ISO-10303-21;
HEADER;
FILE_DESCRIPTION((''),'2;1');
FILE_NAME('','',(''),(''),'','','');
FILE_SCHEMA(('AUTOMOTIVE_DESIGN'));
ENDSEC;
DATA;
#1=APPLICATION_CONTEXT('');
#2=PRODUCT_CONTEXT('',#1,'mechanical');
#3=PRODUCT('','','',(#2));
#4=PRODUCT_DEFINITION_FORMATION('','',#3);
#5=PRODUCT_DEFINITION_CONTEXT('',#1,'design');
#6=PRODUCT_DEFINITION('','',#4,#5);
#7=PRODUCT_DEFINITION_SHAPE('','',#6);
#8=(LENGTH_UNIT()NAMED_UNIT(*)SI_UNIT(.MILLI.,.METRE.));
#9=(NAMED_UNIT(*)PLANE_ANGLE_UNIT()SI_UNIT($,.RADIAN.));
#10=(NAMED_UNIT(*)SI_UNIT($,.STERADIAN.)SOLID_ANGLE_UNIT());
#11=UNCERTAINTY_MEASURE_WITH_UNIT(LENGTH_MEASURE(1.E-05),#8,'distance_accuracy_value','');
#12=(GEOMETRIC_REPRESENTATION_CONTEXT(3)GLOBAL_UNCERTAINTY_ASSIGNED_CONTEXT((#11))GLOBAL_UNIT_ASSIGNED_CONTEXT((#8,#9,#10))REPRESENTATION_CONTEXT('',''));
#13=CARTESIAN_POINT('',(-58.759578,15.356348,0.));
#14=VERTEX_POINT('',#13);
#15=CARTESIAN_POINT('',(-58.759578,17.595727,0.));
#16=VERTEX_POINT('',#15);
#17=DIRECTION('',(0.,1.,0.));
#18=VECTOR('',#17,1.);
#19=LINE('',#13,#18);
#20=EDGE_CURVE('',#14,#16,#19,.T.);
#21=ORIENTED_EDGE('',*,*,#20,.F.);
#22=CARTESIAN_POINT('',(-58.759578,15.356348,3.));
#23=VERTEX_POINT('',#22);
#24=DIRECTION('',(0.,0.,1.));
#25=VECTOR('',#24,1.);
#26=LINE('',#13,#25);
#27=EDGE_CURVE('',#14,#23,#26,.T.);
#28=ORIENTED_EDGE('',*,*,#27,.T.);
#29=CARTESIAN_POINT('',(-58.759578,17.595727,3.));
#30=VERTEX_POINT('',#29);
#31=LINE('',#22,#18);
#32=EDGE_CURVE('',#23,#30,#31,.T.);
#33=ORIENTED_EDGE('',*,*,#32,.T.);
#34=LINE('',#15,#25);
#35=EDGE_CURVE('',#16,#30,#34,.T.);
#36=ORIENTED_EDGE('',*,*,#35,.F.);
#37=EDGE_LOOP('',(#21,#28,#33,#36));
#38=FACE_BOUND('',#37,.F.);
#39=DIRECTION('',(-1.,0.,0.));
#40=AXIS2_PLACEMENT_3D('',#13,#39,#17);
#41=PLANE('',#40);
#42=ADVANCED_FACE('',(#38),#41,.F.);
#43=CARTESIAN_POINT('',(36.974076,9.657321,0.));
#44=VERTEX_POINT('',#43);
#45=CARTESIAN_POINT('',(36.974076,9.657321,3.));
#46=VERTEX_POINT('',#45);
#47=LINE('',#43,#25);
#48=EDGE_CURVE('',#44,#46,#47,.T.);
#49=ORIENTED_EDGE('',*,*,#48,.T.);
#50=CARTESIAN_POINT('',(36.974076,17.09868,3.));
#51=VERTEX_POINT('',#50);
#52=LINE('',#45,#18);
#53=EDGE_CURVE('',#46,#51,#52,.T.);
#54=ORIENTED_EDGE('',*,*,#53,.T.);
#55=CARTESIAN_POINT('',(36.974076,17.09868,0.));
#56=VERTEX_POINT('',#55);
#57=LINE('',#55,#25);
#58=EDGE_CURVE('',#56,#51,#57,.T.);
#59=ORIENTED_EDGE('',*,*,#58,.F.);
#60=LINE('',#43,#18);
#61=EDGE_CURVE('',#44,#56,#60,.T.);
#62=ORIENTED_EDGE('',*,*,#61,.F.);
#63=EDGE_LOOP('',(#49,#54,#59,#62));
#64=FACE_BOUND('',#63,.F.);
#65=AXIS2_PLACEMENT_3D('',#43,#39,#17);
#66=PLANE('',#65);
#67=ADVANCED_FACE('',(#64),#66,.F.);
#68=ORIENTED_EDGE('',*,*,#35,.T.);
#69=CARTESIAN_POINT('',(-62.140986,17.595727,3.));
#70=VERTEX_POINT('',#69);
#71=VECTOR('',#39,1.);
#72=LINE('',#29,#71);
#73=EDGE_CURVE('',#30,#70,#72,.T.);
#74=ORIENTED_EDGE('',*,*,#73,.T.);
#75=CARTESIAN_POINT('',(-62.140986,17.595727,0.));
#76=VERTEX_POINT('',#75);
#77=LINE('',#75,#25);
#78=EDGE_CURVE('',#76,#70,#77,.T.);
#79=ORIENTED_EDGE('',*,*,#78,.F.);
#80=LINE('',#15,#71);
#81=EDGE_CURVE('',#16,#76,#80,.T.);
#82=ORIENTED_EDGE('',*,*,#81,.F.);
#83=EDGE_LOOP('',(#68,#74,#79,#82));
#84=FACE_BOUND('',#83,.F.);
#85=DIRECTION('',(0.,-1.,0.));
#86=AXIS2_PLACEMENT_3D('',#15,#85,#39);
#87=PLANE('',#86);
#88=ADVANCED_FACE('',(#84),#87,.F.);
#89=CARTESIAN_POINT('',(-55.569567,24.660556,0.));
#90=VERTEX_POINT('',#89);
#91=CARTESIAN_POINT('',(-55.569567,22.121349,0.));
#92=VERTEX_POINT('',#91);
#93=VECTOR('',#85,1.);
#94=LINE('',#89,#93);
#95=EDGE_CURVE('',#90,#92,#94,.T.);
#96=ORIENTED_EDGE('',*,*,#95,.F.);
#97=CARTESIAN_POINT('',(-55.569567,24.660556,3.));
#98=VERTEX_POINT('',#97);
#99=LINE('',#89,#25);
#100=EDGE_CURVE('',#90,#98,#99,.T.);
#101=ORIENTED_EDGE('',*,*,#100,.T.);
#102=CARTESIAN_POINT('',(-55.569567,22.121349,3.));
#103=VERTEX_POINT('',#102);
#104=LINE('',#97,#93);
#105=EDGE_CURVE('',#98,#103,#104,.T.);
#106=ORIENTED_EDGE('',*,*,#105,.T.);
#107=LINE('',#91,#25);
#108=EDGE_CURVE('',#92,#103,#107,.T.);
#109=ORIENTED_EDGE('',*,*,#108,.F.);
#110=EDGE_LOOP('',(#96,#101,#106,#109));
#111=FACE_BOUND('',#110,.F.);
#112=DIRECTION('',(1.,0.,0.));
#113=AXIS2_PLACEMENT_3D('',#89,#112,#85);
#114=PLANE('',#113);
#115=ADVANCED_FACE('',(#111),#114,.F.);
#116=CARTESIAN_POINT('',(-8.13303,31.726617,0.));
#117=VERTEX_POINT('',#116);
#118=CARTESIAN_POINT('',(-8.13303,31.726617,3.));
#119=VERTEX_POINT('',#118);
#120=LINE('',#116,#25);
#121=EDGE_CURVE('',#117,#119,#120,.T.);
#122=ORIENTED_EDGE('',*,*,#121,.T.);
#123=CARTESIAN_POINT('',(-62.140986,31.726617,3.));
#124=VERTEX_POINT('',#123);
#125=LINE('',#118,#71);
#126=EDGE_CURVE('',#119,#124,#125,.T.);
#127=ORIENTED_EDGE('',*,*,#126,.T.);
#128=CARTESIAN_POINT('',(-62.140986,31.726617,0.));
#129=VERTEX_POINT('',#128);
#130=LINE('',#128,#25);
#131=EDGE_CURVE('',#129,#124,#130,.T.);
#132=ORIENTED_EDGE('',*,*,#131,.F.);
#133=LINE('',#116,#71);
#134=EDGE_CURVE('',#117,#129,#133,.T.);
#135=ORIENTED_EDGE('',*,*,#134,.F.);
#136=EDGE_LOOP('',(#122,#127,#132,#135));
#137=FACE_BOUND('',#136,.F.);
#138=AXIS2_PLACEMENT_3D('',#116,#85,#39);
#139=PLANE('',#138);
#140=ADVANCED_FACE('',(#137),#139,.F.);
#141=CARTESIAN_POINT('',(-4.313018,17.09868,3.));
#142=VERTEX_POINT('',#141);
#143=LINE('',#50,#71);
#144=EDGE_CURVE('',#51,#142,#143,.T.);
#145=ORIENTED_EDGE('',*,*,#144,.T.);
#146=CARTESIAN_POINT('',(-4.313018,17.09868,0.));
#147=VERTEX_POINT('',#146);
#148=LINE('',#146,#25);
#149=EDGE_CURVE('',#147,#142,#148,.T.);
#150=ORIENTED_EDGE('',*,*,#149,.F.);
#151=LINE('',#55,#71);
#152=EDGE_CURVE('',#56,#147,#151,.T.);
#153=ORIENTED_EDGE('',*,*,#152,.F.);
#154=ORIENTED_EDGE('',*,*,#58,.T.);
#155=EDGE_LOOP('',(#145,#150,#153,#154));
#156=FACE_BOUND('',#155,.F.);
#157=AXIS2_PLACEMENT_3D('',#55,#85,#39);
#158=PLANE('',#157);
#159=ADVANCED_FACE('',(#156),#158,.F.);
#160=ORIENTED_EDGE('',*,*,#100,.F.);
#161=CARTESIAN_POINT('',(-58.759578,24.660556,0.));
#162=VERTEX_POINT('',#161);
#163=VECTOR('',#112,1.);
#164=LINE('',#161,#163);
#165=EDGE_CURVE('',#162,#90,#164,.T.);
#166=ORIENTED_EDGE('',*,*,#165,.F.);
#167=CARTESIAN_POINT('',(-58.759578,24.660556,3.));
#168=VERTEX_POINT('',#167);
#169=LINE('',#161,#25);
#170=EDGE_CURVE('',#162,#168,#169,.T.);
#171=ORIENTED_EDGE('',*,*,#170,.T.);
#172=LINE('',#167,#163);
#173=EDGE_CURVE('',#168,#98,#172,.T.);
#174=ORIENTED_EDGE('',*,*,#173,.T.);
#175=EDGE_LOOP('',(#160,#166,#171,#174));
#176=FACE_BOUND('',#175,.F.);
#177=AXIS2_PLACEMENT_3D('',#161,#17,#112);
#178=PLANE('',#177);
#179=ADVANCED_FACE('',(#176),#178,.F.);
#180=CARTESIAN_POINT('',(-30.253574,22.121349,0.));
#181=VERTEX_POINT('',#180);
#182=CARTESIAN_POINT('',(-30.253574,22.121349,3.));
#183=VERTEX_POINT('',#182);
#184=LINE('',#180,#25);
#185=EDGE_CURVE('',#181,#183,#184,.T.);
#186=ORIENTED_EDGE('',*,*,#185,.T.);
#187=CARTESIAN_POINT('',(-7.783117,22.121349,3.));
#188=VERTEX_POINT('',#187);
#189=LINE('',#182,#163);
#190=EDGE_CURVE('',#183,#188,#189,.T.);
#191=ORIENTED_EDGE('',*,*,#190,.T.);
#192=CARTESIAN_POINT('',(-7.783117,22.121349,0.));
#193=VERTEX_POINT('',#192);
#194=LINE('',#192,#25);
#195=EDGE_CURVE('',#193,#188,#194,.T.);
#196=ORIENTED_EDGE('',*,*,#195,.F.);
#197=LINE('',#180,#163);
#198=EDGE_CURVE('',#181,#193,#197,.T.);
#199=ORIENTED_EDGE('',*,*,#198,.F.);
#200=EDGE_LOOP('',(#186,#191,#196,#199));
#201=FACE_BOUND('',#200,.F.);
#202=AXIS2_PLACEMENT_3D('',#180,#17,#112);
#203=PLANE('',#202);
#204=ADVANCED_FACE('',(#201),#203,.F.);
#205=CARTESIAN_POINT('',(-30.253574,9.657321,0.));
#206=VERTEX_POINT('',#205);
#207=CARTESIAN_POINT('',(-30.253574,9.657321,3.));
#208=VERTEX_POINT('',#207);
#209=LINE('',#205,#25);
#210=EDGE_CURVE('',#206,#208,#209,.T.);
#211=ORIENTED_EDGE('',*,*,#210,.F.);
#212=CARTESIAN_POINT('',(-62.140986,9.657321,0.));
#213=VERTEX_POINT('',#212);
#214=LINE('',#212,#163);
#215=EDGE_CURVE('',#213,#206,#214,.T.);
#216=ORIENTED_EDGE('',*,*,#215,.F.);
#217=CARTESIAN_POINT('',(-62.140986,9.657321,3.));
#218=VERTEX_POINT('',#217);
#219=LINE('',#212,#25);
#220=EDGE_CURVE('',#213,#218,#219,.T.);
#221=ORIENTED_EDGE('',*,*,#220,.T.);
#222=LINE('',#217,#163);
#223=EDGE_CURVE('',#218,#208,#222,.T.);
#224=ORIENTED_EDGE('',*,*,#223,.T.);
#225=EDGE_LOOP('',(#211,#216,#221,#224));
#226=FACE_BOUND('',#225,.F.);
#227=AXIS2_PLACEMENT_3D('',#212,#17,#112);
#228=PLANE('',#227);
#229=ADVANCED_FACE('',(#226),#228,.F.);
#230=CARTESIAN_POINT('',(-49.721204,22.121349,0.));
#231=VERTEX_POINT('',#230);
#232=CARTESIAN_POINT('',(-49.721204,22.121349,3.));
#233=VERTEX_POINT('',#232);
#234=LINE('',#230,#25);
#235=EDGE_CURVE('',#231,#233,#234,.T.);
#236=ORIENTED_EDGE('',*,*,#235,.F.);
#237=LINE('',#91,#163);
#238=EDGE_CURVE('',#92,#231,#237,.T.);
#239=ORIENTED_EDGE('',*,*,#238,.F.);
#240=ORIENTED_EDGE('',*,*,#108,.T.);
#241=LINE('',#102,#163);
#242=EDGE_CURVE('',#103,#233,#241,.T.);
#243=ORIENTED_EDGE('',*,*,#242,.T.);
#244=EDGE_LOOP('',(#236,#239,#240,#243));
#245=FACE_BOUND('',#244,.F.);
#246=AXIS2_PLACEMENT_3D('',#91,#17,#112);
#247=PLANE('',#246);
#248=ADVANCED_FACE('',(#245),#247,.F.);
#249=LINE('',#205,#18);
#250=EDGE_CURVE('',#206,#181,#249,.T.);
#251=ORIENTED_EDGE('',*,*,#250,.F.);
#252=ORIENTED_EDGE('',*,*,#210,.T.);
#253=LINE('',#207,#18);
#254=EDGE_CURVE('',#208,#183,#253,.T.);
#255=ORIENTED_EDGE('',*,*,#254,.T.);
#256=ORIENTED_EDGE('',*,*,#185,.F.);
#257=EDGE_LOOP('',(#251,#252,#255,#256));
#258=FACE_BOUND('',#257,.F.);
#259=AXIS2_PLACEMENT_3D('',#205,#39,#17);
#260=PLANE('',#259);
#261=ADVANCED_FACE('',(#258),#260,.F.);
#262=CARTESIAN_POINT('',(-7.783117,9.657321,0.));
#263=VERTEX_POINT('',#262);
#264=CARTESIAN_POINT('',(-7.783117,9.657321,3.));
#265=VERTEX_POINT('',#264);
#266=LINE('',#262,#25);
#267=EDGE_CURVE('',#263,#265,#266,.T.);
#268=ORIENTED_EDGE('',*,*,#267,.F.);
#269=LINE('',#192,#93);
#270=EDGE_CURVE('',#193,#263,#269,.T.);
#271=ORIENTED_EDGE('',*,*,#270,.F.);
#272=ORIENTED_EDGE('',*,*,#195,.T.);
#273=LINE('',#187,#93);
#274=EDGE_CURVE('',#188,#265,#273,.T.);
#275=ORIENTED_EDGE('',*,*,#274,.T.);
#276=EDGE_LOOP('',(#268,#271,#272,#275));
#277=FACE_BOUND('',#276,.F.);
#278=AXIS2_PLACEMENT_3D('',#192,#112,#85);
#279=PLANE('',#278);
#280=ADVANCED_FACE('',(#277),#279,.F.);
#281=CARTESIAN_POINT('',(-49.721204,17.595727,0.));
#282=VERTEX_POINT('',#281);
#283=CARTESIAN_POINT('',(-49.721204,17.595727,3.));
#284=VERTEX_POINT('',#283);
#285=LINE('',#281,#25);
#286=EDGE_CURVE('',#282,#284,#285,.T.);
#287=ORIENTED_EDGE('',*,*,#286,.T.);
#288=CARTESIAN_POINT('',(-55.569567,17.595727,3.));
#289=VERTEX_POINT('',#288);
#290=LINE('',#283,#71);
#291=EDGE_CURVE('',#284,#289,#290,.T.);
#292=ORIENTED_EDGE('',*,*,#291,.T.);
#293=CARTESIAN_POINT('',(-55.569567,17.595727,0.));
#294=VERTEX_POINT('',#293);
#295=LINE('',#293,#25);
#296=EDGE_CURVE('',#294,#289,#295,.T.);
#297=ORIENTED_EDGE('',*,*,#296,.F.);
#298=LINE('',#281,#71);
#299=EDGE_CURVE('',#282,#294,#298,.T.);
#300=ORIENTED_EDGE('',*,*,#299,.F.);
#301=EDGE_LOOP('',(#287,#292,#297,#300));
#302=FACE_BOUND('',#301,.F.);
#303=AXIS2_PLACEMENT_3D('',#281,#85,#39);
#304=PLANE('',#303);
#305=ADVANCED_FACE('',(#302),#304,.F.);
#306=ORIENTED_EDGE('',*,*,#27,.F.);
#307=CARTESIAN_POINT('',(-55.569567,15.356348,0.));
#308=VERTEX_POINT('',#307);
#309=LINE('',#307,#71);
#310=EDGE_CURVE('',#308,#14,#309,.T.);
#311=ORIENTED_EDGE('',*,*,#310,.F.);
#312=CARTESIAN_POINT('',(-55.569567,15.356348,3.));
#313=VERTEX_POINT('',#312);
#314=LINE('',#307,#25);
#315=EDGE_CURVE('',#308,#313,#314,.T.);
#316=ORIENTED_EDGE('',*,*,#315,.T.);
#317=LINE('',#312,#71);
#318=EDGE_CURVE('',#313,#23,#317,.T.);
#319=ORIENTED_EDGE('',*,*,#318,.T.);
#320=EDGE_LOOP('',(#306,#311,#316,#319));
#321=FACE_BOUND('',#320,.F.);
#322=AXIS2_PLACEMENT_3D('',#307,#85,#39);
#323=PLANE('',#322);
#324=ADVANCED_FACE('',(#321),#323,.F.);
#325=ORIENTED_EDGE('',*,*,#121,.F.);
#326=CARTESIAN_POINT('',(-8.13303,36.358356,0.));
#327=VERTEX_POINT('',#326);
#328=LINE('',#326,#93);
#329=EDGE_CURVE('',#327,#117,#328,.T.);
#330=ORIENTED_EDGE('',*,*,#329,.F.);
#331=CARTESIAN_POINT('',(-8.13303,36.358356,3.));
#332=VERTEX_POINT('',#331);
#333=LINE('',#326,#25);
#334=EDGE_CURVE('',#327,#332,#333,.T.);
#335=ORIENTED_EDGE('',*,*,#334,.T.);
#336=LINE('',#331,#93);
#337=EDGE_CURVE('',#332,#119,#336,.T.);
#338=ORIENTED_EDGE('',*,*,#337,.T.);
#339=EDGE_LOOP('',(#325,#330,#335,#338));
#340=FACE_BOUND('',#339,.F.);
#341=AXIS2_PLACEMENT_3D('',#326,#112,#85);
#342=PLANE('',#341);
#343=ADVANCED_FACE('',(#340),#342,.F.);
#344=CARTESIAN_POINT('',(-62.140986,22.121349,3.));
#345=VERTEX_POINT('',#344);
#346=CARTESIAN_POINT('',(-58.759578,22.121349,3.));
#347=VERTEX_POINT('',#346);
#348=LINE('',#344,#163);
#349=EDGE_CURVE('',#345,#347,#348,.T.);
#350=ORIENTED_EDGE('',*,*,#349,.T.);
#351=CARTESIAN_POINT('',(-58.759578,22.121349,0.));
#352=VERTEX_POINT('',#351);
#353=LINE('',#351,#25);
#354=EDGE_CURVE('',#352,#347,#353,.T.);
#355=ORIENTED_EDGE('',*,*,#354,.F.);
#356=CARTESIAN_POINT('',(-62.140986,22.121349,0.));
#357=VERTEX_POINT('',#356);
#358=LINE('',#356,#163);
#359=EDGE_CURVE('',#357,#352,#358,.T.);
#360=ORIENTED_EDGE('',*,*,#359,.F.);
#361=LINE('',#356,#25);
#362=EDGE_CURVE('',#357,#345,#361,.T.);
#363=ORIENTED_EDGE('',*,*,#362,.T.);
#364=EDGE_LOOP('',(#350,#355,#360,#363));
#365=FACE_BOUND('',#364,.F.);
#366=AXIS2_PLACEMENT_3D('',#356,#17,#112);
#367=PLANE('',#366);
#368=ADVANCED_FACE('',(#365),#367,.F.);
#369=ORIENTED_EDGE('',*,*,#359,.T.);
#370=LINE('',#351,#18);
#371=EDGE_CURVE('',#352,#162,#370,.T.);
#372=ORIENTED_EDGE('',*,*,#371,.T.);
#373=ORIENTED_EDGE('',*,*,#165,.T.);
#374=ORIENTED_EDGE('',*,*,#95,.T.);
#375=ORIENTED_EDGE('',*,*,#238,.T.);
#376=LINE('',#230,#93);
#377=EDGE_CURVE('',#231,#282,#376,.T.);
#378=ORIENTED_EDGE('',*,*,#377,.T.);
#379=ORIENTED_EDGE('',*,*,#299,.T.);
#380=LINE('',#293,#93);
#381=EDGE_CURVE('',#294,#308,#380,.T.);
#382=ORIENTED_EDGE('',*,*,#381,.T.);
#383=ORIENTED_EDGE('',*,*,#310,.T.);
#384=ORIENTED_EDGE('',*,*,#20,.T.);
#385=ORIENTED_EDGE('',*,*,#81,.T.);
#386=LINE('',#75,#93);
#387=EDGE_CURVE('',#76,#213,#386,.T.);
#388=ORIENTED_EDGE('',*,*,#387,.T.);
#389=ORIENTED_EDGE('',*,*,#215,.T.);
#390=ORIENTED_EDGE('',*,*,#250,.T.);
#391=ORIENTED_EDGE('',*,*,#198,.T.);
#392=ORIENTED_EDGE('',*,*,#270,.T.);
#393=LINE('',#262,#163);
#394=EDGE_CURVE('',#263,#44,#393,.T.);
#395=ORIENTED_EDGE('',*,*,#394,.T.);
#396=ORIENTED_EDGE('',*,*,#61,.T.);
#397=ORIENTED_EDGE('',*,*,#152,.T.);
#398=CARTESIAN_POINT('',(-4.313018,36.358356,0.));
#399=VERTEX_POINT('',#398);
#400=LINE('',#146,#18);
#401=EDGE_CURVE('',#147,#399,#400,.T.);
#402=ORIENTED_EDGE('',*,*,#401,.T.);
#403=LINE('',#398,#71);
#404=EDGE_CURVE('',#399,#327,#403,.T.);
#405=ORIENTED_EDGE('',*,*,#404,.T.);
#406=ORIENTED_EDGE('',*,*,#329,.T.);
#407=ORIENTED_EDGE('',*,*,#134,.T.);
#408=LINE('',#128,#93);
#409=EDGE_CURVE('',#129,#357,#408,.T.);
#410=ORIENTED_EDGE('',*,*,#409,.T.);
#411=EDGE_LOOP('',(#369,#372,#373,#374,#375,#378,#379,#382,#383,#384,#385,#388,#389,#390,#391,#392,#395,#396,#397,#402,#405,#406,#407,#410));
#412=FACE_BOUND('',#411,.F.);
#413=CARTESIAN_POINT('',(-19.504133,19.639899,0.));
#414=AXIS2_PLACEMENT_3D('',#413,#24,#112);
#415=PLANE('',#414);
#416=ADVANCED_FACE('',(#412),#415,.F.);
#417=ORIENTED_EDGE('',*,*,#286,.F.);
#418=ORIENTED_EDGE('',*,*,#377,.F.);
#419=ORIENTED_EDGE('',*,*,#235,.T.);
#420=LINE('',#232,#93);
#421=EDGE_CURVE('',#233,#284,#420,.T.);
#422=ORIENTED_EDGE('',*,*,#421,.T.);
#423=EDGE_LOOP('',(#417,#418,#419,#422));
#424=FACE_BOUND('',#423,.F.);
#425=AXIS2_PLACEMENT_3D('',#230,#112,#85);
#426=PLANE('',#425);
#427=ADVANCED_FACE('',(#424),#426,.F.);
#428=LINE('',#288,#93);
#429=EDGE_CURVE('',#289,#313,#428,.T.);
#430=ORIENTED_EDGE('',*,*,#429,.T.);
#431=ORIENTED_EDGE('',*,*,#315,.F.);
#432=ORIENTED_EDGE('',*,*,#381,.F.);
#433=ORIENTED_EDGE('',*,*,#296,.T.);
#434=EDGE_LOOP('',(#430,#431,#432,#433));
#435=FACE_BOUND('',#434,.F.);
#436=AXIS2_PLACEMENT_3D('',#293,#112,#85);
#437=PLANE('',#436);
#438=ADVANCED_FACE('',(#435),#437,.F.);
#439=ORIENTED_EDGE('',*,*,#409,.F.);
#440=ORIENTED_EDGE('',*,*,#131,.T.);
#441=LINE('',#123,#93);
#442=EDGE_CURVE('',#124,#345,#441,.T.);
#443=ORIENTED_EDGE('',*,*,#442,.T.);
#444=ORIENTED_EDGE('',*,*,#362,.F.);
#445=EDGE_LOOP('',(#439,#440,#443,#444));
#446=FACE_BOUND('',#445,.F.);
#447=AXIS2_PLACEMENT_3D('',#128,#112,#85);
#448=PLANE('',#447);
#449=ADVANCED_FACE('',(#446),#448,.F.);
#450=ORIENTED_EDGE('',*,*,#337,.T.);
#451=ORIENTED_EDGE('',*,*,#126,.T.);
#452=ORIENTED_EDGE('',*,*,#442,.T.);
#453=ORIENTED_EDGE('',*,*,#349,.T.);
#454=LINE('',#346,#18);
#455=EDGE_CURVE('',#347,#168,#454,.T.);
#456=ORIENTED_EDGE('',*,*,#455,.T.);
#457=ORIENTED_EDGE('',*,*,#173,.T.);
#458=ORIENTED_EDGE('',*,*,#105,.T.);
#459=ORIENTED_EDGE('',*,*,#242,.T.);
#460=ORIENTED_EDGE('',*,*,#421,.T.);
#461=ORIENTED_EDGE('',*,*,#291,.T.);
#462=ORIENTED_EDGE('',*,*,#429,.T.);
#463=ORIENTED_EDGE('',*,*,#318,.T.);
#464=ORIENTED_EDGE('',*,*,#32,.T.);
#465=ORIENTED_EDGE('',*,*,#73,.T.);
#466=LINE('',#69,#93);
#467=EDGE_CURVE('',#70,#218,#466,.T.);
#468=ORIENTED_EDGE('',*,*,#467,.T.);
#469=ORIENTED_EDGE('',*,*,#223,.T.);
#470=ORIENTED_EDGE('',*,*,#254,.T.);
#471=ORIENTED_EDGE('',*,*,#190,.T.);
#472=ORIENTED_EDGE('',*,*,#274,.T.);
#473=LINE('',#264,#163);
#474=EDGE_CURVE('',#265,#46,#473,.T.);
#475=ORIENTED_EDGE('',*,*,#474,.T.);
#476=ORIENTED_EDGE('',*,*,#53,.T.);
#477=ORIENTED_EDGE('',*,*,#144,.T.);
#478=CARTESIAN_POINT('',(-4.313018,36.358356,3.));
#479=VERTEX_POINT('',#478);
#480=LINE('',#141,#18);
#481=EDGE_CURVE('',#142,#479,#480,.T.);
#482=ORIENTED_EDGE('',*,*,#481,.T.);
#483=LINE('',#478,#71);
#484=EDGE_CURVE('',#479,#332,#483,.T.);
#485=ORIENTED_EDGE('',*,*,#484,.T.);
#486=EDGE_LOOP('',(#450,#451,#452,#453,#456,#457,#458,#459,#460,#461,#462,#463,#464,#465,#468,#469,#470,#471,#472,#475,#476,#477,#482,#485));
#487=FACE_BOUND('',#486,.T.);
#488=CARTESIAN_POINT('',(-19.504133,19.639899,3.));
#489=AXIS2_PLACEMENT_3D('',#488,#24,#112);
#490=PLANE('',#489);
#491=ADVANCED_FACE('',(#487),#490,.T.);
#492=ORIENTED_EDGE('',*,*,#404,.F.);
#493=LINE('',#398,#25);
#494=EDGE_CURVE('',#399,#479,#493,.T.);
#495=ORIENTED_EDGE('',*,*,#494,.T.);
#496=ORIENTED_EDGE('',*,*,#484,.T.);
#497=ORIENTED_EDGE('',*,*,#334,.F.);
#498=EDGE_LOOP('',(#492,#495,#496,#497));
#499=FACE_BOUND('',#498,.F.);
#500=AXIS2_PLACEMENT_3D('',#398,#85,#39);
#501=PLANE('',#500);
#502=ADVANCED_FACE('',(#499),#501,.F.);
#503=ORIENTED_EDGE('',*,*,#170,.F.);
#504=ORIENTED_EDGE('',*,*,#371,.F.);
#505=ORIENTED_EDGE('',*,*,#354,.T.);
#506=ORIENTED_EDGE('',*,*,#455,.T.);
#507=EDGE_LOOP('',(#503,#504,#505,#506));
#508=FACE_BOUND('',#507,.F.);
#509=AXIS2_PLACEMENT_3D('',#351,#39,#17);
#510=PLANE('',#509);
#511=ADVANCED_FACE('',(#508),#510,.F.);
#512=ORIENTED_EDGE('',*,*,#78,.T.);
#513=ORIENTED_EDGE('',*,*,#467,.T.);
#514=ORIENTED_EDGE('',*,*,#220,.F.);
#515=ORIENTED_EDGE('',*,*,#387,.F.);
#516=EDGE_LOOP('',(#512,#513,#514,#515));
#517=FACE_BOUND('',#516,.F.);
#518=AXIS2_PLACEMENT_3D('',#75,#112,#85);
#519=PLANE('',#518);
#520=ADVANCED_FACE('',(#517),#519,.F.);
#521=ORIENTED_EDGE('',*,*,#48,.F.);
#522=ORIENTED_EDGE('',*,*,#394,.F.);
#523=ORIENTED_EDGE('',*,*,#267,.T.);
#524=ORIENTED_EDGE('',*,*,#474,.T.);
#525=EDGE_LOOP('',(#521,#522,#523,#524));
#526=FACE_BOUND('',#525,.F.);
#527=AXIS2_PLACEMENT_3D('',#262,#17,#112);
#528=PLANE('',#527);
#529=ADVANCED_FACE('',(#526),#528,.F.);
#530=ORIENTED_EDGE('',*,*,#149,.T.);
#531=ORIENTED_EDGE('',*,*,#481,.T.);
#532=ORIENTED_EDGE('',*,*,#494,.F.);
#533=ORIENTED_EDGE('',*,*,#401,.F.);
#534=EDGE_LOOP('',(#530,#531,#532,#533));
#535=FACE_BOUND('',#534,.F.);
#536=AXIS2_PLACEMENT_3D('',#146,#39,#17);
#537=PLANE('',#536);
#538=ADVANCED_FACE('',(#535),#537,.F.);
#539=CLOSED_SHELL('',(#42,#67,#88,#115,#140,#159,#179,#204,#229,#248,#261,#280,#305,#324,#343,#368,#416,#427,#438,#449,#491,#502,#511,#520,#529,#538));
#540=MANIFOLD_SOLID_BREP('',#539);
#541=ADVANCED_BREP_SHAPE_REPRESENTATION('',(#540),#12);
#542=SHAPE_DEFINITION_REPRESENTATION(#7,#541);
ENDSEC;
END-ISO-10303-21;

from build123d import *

# Parameters (mm, degrees)
F1_DEPTH = 3


with BuildPart() as f1:
    # F0 (on Top) → F1 (new body)
    with BuildSketch(Plane.XY):
        Polygon((-7.783117, 9.657321), (36.974076, 9.657321), (36.974076, 17.09868), (-4.313018, 17.09868), (-4.313018, 36.358356), (-8.13303, 36.358356), (-8.13303, 31.726617), (-62.140986, 31.726617), (-62.140986, 22.121349), (-58.759578, 22.121349), (-58.759578, 24.660556), (-55.569567, 24.660556), (-55.569567, 22.121349), (-49.721204, 22.121349), (-49.721204, 17.595727), (-55.569567, 17.595727), (-55.569567, 15.356348), (-58.759578, 15.356348), (-58.759578, 17.595727), (-62.140986, 17.595727), (-62.140986, 9.657321), (-30.253574, 9.657321), (-30.253574, 22.121349), (-7.783117, 22.121349), align=None)
    extrude(amount=F1_DEPTH)


solid = f1.part
